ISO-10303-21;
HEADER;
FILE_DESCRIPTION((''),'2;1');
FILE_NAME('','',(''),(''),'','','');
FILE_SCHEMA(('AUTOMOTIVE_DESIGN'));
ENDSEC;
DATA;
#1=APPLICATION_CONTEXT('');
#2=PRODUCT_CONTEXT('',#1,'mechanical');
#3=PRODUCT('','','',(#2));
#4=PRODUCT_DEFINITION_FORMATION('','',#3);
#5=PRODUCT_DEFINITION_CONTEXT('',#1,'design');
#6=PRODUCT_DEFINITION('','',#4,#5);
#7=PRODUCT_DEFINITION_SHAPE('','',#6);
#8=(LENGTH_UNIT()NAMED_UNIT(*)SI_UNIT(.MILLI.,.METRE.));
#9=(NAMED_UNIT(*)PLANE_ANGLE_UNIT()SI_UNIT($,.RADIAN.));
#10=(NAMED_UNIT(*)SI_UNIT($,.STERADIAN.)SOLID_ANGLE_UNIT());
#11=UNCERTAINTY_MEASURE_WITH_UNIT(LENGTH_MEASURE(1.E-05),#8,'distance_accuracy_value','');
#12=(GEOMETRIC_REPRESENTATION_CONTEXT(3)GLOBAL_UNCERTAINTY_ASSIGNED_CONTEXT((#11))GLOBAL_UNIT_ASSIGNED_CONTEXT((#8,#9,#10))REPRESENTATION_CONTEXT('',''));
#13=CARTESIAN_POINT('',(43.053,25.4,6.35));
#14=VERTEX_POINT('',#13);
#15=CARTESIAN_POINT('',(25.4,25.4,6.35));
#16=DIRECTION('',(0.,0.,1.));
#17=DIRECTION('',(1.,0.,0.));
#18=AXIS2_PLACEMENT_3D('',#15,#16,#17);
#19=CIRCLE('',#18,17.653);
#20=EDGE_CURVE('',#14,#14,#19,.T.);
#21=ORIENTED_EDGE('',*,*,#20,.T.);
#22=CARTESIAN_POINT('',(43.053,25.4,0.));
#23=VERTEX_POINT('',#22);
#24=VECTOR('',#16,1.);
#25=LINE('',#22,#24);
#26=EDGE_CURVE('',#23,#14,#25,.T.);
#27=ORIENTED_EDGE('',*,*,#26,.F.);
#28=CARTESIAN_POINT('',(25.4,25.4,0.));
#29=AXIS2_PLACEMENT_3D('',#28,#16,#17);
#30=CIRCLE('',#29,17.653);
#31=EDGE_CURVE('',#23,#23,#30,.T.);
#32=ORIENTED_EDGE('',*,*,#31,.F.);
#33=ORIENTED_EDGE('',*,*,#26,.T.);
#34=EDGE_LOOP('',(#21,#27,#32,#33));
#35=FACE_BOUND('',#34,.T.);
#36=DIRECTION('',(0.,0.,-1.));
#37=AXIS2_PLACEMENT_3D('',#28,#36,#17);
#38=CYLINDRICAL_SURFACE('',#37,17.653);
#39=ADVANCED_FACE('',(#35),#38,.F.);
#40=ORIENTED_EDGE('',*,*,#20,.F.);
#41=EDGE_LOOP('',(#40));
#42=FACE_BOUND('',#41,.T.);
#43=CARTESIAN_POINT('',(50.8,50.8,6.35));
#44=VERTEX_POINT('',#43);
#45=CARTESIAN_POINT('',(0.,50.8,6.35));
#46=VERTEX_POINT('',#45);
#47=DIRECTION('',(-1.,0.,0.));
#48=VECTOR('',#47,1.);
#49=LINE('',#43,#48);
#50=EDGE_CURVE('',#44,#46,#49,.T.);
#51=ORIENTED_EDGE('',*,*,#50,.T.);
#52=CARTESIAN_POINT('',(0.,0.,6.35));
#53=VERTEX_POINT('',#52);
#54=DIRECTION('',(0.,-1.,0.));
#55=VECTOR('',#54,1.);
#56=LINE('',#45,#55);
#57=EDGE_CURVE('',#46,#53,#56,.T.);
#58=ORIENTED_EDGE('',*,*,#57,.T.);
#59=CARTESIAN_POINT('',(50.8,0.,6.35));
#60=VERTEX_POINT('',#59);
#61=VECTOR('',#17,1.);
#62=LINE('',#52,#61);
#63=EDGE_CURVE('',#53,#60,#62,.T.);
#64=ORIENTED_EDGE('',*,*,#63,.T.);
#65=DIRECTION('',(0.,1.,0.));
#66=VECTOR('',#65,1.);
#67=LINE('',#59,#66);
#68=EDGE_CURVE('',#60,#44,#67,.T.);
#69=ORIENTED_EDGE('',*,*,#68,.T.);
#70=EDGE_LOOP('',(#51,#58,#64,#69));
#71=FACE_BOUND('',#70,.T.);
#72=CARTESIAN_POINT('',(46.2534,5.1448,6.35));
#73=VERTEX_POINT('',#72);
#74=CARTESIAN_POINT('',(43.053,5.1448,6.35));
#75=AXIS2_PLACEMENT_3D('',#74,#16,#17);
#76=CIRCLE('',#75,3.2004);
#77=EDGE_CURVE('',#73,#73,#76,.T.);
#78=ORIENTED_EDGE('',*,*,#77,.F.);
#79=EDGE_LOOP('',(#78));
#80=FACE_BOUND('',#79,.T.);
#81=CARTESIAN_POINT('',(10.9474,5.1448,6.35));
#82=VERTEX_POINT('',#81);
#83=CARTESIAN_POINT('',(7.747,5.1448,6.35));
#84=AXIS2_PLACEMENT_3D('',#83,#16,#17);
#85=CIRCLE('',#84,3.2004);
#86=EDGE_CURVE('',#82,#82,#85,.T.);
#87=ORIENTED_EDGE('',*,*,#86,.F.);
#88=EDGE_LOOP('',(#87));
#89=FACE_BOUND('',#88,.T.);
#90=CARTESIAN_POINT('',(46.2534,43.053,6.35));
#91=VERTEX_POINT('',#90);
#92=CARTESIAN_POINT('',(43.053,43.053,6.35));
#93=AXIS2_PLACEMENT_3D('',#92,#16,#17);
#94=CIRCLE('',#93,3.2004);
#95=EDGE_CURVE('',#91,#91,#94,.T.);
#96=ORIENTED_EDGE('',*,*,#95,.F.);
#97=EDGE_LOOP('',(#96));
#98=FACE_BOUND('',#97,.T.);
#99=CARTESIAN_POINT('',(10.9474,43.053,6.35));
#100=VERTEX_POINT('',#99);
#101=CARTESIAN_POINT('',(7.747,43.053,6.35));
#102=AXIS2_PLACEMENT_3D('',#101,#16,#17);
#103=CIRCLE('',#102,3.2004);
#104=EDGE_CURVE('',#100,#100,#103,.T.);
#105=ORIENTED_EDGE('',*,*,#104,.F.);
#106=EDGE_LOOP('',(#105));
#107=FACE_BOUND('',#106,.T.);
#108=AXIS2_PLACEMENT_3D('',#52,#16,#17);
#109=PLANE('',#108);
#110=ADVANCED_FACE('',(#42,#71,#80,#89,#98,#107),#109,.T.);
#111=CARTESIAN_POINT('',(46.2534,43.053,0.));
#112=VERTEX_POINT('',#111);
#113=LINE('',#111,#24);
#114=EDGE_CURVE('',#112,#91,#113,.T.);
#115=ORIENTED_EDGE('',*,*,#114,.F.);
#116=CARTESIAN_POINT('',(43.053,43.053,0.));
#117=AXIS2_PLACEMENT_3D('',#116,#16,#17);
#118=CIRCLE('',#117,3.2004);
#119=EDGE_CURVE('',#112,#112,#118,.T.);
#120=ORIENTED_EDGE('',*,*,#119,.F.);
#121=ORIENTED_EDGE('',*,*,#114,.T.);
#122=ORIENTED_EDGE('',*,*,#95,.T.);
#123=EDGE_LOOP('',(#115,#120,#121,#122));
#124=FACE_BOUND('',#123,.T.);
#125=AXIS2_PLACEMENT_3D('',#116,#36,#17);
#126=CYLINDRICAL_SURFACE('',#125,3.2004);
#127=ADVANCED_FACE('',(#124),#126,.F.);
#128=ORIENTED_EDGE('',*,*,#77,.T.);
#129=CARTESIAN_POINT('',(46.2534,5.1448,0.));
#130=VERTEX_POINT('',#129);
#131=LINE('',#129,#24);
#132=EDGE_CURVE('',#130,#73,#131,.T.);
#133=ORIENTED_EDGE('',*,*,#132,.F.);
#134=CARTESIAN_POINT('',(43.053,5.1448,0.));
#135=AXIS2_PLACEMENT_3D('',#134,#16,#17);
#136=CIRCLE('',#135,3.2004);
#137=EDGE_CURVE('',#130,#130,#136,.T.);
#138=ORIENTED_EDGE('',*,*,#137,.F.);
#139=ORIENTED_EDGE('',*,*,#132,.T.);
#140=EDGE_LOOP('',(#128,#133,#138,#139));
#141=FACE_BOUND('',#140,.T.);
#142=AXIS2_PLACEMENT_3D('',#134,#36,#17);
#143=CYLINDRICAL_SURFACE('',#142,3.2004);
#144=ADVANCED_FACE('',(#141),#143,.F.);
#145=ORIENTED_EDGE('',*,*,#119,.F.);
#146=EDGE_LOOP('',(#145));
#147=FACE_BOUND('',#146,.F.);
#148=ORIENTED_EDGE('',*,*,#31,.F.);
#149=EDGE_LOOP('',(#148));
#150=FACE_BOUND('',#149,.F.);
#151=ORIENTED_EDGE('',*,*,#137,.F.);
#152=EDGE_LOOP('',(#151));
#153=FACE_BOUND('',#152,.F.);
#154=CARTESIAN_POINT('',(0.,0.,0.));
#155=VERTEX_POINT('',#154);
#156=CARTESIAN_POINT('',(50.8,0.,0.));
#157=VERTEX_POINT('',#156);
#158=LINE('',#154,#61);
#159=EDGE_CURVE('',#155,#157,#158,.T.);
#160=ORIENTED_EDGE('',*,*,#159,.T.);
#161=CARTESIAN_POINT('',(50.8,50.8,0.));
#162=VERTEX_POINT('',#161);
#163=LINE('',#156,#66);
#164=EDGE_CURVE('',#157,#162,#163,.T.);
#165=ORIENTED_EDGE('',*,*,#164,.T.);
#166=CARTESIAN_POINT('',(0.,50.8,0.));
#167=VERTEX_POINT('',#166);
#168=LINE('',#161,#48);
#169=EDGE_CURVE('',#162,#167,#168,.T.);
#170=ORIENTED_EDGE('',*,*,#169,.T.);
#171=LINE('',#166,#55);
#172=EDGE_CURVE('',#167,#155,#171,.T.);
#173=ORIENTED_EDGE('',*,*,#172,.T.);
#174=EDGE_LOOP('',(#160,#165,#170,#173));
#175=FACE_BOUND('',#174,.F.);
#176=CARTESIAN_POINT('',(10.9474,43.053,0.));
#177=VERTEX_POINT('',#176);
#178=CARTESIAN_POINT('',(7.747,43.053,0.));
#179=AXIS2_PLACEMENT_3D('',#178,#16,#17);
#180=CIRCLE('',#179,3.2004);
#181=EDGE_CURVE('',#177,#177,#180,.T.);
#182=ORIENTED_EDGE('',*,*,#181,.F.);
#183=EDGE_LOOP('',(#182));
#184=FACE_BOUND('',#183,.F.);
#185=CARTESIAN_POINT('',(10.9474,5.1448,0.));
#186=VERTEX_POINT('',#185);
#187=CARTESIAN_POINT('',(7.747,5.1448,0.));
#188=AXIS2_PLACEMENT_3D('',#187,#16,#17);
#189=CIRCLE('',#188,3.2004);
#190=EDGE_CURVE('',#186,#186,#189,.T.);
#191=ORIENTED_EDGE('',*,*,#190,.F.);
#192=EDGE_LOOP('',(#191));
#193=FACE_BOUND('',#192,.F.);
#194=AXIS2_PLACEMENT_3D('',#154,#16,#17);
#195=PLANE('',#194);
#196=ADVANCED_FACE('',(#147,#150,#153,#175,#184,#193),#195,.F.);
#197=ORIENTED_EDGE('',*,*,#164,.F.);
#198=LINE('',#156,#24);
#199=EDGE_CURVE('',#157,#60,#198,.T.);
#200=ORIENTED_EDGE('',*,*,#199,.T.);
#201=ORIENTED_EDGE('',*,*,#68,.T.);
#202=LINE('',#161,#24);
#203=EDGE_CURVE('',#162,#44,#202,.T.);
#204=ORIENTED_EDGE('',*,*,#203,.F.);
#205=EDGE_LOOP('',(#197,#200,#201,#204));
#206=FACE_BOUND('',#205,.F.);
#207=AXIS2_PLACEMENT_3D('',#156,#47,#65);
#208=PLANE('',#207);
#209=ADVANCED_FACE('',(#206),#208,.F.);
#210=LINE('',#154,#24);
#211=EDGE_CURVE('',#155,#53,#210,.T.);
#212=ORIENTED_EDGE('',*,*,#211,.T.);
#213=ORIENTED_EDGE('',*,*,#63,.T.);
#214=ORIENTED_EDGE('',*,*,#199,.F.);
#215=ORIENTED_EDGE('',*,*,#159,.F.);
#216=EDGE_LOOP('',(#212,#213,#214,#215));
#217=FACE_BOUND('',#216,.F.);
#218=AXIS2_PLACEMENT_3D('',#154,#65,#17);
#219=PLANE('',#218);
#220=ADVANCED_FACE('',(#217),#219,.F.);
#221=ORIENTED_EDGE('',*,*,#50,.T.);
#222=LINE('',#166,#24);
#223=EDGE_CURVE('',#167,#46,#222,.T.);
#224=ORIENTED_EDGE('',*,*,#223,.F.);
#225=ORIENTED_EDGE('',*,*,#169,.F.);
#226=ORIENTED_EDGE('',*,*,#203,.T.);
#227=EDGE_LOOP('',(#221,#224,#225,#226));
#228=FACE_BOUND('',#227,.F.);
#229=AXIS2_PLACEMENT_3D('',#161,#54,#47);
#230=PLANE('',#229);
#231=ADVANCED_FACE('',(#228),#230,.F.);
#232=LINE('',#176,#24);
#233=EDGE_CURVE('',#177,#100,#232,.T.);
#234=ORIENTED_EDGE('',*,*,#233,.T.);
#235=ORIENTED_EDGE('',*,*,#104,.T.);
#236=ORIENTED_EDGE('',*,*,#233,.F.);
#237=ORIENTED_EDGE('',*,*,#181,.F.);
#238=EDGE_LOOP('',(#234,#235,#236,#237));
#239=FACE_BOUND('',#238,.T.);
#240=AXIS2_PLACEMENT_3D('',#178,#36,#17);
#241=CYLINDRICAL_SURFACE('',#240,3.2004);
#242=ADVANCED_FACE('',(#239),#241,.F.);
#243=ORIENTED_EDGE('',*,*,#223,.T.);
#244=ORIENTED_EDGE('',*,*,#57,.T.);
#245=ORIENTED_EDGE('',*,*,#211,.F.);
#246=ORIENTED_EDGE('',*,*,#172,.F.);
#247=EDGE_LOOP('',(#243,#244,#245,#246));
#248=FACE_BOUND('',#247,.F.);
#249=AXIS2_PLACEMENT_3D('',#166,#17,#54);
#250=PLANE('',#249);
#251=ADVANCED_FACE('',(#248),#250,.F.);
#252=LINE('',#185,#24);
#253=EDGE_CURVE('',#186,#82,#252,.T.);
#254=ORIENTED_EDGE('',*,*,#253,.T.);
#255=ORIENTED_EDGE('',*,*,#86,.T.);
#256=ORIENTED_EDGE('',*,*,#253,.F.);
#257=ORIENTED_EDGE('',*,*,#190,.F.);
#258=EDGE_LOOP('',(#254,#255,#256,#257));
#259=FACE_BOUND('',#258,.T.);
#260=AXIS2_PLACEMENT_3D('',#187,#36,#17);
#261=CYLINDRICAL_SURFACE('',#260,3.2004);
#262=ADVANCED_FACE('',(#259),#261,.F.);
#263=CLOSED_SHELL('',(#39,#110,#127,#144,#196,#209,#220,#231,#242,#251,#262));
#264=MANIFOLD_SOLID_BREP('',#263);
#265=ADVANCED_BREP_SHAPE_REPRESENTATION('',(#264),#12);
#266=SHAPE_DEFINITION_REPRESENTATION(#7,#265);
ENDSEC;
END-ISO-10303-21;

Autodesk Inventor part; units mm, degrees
ref_plane "YZ Plane" through (0, 0, 0) normal (1, 0, 0) x (0, 1, 0)
ref_plane "XZ Plane" through (0, 0, 0) normal (0, 1, 0) x (-1, 0, 0)
ref_plane "XY Plane" through (0, 0, 0) normal (0, 0, 1) x (1, 0, 0)
sketch "Sketch1" plane through (0, 0, 0) normal (0, 0, 1) x (1, 0, 0)
  line L0 (0, 0) -> (50.8, 0)
  line L1 (50.8, 0) -> (50.8, 50.8)
  line L2 (50.8, 50.8) -> (0, 50.8)
  line L3 (0, 50.8) -> (0, 0)
  circle A0 centre (25.4, 25.4) radius 17.653
  line L4 (7.747, 7.747) -> (7.747, 43.053) construction
  line L5 (7.747, 43.053) -> (43.053, 43.053) construction
  line L6 (43.053, 43.053) -> (43.053, 5.1448) construction
  line L7 (43.053, 5.1448) -> (7.747, 5.1448) construction
  circle A1 centre (7.747, 43.053) radius 3.2004
  circle A2 centre (43.053, 43.053) radius 3.2004
  circle A3 centre (43.053, 5.1448) radius 3.2004
  circle A4 centre (7.747, 5.1448) radius 3.2004
  dimension "d0" = 50.8
  dimension "d1" = 50.8
  dimension "d2" = 35.306
  dimension "d3" = 6.4008
  dimension "d4" = 6.4008
  dimension "d5" = 6.4008
  dimension "d6" = 6.4008
extrude "Extrusion1" add sketch "Sketch1" along normal blind 6.35
properties part number "Ball grabber bearing mount"
